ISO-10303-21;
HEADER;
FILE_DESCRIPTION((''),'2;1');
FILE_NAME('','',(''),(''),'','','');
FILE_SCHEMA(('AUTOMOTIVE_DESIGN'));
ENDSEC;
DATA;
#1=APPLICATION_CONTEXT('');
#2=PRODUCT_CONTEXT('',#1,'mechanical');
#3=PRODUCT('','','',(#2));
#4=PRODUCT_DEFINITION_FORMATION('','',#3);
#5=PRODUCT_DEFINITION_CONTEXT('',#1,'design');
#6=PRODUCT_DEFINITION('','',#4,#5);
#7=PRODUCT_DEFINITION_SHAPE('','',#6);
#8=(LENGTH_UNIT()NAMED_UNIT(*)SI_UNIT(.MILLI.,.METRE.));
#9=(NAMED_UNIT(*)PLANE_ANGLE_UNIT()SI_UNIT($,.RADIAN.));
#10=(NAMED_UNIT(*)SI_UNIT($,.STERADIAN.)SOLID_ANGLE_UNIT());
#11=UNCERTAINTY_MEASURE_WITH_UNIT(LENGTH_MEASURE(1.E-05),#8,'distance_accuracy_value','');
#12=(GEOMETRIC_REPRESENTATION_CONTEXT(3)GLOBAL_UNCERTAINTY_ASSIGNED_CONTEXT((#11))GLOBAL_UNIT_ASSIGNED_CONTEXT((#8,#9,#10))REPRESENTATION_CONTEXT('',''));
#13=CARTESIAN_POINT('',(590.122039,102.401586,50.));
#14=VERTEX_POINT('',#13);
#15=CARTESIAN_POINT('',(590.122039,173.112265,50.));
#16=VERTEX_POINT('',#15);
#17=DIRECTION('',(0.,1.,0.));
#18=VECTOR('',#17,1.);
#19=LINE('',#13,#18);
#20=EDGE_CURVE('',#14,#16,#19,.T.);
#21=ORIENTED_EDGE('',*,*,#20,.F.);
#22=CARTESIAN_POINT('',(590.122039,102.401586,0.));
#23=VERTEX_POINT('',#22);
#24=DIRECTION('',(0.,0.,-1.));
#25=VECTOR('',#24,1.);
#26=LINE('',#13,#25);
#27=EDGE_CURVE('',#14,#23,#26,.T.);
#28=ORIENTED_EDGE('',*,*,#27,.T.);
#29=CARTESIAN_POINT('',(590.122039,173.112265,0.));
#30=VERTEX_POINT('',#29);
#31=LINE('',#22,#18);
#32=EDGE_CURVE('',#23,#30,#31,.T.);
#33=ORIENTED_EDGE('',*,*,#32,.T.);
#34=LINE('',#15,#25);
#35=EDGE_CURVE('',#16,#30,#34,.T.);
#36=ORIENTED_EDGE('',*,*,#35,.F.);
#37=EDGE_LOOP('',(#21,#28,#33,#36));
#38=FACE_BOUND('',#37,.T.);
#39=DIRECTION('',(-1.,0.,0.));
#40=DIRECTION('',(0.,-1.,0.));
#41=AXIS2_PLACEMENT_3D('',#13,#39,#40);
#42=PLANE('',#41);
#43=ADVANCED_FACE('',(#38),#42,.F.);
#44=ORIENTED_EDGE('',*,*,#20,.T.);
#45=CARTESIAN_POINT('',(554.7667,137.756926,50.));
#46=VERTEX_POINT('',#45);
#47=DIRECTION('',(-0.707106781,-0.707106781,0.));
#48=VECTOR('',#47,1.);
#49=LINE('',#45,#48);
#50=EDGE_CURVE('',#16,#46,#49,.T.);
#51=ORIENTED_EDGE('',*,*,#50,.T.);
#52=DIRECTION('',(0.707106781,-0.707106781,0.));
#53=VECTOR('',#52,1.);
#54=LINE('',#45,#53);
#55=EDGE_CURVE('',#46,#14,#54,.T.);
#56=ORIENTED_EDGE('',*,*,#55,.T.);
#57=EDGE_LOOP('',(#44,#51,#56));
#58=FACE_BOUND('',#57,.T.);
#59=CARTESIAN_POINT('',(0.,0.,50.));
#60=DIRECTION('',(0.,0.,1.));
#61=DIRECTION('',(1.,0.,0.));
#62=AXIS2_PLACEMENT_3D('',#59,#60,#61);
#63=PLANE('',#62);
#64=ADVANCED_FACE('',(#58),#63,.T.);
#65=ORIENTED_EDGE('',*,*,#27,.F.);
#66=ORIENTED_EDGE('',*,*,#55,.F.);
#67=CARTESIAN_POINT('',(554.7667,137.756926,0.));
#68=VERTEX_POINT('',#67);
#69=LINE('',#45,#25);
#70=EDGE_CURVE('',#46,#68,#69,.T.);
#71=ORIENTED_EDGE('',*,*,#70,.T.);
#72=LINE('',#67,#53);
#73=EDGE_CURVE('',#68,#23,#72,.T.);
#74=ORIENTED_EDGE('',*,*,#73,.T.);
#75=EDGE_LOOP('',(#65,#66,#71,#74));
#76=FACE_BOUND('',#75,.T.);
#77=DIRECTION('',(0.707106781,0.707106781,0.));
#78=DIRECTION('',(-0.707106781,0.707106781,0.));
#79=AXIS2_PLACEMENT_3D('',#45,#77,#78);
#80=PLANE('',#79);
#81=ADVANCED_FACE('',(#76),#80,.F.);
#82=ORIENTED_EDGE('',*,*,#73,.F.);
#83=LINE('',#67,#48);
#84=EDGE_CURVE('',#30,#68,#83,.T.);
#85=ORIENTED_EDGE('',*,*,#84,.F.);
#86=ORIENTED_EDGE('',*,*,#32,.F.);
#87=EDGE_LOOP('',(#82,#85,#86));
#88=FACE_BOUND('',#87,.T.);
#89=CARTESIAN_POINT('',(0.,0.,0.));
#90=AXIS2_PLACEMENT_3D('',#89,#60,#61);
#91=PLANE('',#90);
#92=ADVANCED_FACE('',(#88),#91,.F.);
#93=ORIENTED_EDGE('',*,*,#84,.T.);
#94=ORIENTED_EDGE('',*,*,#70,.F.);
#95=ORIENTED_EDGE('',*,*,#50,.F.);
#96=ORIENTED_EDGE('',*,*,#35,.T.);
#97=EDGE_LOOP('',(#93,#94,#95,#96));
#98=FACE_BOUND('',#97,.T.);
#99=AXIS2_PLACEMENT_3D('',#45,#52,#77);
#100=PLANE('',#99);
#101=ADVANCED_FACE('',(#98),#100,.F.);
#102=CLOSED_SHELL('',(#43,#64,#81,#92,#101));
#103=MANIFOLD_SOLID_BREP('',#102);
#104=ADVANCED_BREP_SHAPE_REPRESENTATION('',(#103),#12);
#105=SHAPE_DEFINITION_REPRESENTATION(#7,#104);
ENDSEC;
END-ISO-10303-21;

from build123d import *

# Parameters (mm, degrees)
EXTRUDE_1_DEPTH = 50


with BuildPart() as part:
    # 草图1 → 凸台-拉伸1 (new body)
    with BuildSketch(Plane.XY):
        Polygon((554.766699526, 137.756925528), (590.122038585, 173.112264588), (590.122038585, 102.401586469), align=None)
    extrude(amount=EXTRUDE_1_DEPTH)


solid = part.part
